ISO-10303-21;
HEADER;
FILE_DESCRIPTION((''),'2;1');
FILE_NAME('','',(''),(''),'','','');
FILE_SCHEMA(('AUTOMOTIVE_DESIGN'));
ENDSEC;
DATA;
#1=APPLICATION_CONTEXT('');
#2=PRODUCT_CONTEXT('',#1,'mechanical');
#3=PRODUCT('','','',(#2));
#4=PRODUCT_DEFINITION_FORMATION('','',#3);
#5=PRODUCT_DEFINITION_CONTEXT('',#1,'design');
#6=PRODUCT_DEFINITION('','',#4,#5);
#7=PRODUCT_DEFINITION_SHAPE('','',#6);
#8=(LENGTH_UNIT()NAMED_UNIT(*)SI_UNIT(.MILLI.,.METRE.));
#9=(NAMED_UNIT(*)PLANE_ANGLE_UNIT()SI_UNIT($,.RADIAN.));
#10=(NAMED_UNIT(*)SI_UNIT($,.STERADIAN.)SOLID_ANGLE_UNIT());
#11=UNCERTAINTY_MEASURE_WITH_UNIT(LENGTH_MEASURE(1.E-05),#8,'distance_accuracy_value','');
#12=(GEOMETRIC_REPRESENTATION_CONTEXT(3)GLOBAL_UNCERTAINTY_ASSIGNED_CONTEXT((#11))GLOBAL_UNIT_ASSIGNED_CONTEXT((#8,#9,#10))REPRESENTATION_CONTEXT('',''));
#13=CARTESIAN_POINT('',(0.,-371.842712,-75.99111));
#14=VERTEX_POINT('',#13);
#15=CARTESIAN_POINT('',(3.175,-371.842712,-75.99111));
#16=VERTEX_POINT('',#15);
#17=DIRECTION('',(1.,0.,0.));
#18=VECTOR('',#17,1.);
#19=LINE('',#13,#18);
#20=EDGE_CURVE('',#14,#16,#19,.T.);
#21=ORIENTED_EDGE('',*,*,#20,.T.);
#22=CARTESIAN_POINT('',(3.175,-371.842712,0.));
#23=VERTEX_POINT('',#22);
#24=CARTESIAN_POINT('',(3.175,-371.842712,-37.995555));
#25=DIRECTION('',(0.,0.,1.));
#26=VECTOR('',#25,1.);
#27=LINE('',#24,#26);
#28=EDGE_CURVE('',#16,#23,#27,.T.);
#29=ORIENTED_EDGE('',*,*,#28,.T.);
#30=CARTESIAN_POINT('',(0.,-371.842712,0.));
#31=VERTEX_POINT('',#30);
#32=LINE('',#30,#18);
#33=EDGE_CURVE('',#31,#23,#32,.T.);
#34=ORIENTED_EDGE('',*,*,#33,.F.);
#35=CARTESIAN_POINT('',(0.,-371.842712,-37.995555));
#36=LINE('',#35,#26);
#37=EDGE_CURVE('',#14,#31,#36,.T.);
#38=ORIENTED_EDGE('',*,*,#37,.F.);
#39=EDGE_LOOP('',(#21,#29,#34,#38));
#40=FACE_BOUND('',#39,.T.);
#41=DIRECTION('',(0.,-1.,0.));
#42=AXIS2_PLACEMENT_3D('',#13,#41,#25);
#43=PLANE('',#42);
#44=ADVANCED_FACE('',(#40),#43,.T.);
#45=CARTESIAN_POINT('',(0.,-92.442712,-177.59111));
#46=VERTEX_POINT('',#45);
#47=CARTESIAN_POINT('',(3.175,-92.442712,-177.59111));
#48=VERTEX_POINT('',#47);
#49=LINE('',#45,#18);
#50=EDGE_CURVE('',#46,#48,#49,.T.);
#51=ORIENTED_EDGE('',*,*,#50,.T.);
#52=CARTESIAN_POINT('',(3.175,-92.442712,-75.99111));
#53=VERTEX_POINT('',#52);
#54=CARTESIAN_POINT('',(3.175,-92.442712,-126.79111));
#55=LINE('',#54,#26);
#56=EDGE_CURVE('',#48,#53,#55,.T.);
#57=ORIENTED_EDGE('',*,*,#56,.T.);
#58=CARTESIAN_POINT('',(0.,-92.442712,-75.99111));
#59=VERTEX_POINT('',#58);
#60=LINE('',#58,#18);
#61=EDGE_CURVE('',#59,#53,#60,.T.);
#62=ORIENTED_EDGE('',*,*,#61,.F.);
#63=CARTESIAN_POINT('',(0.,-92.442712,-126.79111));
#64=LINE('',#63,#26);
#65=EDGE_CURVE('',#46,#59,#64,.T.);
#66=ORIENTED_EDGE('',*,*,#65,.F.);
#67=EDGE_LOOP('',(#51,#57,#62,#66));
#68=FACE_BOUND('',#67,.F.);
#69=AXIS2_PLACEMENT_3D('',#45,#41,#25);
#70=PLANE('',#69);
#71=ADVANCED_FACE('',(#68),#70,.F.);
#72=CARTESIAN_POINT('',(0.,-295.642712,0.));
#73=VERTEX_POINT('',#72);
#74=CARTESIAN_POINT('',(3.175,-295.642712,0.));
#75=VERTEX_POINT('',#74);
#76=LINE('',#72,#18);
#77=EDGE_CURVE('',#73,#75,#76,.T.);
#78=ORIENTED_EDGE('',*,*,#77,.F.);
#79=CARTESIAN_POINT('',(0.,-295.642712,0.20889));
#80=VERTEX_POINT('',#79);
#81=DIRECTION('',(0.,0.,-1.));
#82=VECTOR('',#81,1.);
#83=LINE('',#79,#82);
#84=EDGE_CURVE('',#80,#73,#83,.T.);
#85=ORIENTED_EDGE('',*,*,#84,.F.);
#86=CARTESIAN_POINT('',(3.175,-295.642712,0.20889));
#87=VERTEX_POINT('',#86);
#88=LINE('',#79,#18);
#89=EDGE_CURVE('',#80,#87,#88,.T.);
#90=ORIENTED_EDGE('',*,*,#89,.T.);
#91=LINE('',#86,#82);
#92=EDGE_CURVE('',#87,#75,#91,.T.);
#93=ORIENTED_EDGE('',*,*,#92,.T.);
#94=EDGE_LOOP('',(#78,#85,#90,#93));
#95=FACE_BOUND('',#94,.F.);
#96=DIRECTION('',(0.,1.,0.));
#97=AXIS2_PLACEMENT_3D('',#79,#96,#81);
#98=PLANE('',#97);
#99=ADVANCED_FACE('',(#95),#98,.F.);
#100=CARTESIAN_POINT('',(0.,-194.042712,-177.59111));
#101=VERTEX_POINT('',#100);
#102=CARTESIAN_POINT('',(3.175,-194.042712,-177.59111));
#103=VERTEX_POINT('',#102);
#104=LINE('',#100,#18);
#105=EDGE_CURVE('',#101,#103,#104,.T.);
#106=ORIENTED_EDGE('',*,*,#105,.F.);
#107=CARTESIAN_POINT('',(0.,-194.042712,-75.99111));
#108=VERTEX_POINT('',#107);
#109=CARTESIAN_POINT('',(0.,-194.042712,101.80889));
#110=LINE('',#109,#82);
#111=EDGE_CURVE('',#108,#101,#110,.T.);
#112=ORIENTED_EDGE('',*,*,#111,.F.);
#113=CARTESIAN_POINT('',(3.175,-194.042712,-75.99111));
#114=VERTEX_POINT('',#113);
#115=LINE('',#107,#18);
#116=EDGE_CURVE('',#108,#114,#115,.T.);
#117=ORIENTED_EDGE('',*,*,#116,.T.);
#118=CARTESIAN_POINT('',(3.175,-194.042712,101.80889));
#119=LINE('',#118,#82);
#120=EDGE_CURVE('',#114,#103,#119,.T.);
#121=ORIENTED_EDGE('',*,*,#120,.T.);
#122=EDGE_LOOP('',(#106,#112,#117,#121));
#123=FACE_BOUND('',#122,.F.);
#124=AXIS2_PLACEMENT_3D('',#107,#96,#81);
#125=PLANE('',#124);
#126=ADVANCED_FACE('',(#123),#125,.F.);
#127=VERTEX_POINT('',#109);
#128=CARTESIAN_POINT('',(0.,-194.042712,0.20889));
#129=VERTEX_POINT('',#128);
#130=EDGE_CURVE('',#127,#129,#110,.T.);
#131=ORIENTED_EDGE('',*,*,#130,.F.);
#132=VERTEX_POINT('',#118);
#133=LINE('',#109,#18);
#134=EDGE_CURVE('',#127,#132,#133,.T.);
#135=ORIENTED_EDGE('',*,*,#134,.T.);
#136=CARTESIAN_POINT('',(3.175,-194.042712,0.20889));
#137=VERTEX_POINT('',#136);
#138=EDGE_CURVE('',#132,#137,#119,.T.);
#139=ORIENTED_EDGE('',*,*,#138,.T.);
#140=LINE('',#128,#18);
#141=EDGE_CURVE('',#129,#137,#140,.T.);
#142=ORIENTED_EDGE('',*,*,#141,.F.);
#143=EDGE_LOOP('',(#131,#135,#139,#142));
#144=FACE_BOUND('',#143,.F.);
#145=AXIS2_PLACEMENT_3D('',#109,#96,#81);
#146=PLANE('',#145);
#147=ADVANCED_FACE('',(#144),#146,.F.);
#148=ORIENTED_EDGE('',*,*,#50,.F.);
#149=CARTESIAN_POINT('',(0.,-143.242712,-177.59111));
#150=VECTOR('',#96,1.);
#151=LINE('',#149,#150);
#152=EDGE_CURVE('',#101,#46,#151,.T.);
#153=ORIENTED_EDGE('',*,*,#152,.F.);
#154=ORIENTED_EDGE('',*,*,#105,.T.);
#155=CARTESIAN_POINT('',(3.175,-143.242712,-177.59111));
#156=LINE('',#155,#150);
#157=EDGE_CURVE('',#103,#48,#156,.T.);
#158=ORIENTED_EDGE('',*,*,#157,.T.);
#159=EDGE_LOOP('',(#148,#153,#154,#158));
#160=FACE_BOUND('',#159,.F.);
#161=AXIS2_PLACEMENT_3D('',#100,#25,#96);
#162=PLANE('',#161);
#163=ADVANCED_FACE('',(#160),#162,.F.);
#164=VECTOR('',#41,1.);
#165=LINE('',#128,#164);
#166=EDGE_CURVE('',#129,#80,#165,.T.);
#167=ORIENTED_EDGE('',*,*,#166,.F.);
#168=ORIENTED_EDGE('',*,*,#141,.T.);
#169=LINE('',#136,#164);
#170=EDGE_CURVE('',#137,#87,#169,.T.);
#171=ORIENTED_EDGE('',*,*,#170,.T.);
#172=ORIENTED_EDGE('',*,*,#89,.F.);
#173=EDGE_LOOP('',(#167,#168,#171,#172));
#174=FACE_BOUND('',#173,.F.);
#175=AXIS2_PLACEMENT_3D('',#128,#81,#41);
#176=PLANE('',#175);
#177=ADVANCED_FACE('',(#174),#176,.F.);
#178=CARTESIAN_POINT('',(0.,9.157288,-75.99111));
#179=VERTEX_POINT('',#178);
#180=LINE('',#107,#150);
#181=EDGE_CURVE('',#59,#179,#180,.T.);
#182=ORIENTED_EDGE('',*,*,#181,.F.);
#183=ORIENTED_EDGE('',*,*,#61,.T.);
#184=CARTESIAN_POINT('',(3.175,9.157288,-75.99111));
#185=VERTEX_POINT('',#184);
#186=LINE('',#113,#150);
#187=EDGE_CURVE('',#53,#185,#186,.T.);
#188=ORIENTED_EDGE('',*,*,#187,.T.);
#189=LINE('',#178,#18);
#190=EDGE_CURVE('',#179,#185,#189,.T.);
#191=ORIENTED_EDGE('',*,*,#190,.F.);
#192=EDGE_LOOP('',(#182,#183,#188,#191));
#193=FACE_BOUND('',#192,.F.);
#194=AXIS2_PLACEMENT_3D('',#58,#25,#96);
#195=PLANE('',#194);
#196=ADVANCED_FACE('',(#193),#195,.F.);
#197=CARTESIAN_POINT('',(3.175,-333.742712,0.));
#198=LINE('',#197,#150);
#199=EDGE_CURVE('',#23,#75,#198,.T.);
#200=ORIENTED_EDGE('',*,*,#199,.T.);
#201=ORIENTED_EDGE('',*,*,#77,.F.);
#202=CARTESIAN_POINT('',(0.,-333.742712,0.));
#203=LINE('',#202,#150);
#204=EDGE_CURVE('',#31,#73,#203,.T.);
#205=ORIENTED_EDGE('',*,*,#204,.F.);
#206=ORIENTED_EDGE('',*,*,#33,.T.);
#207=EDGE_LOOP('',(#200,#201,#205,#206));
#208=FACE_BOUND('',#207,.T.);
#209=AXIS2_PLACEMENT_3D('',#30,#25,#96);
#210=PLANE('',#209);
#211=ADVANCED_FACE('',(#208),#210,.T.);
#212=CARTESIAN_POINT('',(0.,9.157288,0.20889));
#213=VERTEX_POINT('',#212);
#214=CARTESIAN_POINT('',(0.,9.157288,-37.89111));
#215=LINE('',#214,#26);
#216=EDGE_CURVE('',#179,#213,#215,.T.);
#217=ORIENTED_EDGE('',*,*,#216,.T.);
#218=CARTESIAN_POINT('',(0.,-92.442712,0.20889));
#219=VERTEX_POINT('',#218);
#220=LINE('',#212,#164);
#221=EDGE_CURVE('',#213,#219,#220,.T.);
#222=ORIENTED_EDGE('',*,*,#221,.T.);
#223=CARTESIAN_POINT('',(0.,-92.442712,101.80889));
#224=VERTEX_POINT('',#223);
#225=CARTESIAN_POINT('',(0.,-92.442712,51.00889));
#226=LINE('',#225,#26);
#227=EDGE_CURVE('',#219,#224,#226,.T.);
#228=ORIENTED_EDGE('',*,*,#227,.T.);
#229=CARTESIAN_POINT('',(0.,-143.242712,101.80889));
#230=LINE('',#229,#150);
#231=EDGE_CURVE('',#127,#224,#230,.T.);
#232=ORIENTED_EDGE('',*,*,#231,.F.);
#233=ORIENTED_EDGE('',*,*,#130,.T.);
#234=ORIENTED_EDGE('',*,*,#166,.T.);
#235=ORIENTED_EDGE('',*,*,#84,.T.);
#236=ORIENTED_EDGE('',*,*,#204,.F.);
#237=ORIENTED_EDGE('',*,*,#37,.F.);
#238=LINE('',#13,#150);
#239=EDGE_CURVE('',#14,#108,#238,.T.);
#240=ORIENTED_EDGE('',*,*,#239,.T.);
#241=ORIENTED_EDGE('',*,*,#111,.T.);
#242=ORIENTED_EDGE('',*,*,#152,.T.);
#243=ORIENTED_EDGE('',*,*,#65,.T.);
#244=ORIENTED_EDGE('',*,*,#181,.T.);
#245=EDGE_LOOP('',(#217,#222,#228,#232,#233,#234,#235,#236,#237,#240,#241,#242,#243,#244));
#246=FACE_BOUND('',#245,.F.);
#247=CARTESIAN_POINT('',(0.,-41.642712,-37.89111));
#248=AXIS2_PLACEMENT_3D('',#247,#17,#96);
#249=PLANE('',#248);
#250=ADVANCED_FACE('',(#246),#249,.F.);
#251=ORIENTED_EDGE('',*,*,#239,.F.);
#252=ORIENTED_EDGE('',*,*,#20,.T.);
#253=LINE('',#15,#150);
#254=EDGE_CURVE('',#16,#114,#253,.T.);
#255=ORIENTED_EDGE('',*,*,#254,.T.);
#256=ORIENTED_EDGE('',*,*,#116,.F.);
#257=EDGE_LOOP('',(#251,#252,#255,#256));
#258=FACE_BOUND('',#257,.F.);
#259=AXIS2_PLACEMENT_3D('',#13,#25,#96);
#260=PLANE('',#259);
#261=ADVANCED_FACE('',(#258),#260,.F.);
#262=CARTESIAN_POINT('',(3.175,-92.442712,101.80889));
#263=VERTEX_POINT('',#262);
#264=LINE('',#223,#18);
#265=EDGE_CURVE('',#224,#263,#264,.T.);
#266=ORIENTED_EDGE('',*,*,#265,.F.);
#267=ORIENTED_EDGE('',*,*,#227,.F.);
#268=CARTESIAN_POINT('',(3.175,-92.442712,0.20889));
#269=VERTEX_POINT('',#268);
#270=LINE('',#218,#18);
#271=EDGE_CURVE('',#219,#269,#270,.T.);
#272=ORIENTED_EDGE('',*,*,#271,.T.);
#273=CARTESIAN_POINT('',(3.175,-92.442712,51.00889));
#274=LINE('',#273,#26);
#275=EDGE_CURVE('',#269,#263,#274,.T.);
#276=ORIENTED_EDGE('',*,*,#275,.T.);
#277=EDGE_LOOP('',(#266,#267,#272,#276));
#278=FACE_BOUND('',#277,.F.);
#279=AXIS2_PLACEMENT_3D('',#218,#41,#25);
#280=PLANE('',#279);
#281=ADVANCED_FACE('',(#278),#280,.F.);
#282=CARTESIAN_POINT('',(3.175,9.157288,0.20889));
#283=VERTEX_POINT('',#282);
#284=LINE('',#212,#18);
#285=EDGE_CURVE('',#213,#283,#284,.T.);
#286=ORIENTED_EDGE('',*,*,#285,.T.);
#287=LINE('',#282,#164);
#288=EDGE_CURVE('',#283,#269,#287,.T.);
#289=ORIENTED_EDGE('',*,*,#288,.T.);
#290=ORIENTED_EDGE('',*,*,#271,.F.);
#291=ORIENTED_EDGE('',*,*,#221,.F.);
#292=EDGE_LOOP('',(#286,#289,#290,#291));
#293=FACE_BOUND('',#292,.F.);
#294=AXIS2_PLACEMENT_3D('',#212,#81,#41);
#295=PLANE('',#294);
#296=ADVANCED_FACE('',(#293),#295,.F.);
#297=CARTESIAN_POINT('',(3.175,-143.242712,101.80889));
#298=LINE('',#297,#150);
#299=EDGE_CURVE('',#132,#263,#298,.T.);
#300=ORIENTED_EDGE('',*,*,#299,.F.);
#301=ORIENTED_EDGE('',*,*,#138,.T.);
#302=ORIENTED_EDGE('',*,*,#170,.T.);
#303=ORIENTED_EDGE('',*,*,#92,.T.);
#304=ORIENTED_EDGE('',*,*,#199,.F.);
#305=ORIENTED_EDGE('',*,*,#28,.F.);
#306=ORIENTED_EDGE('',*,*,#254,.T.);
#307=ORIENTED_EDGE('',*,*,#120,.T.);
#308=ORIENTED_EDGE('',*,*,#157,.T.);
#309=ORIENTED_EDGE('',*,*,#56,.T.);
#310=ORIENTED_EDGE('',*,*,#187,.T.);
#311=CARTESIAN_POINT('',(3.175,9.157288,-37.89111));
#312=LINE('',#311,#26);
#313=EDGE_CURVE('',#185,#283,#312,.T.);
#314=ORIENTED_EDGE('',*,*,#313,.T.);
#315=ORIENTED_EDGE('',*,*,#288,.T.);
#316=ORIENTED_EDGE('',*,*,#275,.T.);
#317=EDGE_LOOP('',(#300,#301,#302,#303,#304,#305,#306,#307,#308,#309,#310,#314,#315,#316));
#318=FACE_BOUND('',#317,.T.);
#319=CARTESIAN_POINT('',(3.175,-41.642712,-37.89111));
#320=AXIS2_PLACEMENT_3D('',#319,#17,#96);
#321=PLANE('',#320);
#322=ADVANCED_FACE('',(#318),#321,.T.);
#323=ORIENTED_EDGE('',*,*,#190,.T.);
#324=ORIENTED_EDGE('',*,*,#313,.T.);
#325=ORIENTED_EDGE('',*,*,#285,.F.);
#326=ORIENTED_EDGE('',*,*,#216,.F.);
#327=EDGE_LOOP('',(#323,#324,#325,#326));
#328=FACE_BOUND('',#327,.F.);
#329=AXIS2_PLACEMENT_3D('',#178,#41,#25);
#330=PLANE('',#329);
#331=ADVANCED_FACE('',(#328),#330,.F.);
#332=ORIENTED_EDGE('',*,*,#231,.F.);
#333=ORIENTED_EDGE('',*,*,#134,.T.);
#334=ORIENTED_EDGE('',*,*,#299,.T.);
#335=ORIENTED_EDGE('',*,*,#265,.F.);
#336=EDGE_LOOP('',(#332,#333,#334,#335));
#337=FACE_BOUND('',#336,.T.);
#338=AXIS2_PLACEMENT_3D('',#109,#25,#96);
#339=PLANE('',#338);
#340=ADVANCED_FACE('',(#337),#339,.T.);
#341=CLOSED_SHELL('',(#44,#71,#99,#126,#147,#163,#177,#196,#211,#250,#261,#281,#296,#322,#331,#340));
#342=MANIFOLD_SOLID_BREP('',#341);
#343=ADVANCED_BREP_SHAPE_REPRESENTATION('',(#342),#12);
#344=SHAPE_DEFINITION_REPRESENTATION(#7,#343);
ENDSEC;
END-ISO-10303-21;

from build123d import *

# Parameters (mm, degrees)
F0_W     = 101.6
F0_H     = 76.2
F0_H_2   = 101.6
F0_W_2   = 76.2
F0_H_3   = 75.9911096332
F1_DEPTH = 3.175


with BuildPart() as f1:
    # F0 (on Right) → F1 (new body)
    with BuildSketch(Plane.YZ):
        with Locations((-41.6427117772, -37.8911096332)):
            Rectangle(F0_W, F0_H)
        with Locations((-143.2427117772, -37.8911096332)):
            Rectangle(F0_W, F0_H)
        with Locations((-143.2427117772, -126.7911096332)):
            Rectangle(F0_W, F0_H_2)
        with Locations((-143.2427117772, 51.0088903668)):
            Rectangle(F0_W, F0_H_2)
        Polygon((-295.6427117772, -75.9911096332), (-194.0427117772, -75.9911096332), (-194.0427117772, 0.2088903668), (-295.6427117772, 0.2088903668), (-295.6427117772, 0), align=None)
        with Locations((-333.7427117772, -37.9955548166)):
            Rectangle(F0_W_2, F0_H_3)
    extrude(amount=F1_DEPTH)


solid = f1.part
